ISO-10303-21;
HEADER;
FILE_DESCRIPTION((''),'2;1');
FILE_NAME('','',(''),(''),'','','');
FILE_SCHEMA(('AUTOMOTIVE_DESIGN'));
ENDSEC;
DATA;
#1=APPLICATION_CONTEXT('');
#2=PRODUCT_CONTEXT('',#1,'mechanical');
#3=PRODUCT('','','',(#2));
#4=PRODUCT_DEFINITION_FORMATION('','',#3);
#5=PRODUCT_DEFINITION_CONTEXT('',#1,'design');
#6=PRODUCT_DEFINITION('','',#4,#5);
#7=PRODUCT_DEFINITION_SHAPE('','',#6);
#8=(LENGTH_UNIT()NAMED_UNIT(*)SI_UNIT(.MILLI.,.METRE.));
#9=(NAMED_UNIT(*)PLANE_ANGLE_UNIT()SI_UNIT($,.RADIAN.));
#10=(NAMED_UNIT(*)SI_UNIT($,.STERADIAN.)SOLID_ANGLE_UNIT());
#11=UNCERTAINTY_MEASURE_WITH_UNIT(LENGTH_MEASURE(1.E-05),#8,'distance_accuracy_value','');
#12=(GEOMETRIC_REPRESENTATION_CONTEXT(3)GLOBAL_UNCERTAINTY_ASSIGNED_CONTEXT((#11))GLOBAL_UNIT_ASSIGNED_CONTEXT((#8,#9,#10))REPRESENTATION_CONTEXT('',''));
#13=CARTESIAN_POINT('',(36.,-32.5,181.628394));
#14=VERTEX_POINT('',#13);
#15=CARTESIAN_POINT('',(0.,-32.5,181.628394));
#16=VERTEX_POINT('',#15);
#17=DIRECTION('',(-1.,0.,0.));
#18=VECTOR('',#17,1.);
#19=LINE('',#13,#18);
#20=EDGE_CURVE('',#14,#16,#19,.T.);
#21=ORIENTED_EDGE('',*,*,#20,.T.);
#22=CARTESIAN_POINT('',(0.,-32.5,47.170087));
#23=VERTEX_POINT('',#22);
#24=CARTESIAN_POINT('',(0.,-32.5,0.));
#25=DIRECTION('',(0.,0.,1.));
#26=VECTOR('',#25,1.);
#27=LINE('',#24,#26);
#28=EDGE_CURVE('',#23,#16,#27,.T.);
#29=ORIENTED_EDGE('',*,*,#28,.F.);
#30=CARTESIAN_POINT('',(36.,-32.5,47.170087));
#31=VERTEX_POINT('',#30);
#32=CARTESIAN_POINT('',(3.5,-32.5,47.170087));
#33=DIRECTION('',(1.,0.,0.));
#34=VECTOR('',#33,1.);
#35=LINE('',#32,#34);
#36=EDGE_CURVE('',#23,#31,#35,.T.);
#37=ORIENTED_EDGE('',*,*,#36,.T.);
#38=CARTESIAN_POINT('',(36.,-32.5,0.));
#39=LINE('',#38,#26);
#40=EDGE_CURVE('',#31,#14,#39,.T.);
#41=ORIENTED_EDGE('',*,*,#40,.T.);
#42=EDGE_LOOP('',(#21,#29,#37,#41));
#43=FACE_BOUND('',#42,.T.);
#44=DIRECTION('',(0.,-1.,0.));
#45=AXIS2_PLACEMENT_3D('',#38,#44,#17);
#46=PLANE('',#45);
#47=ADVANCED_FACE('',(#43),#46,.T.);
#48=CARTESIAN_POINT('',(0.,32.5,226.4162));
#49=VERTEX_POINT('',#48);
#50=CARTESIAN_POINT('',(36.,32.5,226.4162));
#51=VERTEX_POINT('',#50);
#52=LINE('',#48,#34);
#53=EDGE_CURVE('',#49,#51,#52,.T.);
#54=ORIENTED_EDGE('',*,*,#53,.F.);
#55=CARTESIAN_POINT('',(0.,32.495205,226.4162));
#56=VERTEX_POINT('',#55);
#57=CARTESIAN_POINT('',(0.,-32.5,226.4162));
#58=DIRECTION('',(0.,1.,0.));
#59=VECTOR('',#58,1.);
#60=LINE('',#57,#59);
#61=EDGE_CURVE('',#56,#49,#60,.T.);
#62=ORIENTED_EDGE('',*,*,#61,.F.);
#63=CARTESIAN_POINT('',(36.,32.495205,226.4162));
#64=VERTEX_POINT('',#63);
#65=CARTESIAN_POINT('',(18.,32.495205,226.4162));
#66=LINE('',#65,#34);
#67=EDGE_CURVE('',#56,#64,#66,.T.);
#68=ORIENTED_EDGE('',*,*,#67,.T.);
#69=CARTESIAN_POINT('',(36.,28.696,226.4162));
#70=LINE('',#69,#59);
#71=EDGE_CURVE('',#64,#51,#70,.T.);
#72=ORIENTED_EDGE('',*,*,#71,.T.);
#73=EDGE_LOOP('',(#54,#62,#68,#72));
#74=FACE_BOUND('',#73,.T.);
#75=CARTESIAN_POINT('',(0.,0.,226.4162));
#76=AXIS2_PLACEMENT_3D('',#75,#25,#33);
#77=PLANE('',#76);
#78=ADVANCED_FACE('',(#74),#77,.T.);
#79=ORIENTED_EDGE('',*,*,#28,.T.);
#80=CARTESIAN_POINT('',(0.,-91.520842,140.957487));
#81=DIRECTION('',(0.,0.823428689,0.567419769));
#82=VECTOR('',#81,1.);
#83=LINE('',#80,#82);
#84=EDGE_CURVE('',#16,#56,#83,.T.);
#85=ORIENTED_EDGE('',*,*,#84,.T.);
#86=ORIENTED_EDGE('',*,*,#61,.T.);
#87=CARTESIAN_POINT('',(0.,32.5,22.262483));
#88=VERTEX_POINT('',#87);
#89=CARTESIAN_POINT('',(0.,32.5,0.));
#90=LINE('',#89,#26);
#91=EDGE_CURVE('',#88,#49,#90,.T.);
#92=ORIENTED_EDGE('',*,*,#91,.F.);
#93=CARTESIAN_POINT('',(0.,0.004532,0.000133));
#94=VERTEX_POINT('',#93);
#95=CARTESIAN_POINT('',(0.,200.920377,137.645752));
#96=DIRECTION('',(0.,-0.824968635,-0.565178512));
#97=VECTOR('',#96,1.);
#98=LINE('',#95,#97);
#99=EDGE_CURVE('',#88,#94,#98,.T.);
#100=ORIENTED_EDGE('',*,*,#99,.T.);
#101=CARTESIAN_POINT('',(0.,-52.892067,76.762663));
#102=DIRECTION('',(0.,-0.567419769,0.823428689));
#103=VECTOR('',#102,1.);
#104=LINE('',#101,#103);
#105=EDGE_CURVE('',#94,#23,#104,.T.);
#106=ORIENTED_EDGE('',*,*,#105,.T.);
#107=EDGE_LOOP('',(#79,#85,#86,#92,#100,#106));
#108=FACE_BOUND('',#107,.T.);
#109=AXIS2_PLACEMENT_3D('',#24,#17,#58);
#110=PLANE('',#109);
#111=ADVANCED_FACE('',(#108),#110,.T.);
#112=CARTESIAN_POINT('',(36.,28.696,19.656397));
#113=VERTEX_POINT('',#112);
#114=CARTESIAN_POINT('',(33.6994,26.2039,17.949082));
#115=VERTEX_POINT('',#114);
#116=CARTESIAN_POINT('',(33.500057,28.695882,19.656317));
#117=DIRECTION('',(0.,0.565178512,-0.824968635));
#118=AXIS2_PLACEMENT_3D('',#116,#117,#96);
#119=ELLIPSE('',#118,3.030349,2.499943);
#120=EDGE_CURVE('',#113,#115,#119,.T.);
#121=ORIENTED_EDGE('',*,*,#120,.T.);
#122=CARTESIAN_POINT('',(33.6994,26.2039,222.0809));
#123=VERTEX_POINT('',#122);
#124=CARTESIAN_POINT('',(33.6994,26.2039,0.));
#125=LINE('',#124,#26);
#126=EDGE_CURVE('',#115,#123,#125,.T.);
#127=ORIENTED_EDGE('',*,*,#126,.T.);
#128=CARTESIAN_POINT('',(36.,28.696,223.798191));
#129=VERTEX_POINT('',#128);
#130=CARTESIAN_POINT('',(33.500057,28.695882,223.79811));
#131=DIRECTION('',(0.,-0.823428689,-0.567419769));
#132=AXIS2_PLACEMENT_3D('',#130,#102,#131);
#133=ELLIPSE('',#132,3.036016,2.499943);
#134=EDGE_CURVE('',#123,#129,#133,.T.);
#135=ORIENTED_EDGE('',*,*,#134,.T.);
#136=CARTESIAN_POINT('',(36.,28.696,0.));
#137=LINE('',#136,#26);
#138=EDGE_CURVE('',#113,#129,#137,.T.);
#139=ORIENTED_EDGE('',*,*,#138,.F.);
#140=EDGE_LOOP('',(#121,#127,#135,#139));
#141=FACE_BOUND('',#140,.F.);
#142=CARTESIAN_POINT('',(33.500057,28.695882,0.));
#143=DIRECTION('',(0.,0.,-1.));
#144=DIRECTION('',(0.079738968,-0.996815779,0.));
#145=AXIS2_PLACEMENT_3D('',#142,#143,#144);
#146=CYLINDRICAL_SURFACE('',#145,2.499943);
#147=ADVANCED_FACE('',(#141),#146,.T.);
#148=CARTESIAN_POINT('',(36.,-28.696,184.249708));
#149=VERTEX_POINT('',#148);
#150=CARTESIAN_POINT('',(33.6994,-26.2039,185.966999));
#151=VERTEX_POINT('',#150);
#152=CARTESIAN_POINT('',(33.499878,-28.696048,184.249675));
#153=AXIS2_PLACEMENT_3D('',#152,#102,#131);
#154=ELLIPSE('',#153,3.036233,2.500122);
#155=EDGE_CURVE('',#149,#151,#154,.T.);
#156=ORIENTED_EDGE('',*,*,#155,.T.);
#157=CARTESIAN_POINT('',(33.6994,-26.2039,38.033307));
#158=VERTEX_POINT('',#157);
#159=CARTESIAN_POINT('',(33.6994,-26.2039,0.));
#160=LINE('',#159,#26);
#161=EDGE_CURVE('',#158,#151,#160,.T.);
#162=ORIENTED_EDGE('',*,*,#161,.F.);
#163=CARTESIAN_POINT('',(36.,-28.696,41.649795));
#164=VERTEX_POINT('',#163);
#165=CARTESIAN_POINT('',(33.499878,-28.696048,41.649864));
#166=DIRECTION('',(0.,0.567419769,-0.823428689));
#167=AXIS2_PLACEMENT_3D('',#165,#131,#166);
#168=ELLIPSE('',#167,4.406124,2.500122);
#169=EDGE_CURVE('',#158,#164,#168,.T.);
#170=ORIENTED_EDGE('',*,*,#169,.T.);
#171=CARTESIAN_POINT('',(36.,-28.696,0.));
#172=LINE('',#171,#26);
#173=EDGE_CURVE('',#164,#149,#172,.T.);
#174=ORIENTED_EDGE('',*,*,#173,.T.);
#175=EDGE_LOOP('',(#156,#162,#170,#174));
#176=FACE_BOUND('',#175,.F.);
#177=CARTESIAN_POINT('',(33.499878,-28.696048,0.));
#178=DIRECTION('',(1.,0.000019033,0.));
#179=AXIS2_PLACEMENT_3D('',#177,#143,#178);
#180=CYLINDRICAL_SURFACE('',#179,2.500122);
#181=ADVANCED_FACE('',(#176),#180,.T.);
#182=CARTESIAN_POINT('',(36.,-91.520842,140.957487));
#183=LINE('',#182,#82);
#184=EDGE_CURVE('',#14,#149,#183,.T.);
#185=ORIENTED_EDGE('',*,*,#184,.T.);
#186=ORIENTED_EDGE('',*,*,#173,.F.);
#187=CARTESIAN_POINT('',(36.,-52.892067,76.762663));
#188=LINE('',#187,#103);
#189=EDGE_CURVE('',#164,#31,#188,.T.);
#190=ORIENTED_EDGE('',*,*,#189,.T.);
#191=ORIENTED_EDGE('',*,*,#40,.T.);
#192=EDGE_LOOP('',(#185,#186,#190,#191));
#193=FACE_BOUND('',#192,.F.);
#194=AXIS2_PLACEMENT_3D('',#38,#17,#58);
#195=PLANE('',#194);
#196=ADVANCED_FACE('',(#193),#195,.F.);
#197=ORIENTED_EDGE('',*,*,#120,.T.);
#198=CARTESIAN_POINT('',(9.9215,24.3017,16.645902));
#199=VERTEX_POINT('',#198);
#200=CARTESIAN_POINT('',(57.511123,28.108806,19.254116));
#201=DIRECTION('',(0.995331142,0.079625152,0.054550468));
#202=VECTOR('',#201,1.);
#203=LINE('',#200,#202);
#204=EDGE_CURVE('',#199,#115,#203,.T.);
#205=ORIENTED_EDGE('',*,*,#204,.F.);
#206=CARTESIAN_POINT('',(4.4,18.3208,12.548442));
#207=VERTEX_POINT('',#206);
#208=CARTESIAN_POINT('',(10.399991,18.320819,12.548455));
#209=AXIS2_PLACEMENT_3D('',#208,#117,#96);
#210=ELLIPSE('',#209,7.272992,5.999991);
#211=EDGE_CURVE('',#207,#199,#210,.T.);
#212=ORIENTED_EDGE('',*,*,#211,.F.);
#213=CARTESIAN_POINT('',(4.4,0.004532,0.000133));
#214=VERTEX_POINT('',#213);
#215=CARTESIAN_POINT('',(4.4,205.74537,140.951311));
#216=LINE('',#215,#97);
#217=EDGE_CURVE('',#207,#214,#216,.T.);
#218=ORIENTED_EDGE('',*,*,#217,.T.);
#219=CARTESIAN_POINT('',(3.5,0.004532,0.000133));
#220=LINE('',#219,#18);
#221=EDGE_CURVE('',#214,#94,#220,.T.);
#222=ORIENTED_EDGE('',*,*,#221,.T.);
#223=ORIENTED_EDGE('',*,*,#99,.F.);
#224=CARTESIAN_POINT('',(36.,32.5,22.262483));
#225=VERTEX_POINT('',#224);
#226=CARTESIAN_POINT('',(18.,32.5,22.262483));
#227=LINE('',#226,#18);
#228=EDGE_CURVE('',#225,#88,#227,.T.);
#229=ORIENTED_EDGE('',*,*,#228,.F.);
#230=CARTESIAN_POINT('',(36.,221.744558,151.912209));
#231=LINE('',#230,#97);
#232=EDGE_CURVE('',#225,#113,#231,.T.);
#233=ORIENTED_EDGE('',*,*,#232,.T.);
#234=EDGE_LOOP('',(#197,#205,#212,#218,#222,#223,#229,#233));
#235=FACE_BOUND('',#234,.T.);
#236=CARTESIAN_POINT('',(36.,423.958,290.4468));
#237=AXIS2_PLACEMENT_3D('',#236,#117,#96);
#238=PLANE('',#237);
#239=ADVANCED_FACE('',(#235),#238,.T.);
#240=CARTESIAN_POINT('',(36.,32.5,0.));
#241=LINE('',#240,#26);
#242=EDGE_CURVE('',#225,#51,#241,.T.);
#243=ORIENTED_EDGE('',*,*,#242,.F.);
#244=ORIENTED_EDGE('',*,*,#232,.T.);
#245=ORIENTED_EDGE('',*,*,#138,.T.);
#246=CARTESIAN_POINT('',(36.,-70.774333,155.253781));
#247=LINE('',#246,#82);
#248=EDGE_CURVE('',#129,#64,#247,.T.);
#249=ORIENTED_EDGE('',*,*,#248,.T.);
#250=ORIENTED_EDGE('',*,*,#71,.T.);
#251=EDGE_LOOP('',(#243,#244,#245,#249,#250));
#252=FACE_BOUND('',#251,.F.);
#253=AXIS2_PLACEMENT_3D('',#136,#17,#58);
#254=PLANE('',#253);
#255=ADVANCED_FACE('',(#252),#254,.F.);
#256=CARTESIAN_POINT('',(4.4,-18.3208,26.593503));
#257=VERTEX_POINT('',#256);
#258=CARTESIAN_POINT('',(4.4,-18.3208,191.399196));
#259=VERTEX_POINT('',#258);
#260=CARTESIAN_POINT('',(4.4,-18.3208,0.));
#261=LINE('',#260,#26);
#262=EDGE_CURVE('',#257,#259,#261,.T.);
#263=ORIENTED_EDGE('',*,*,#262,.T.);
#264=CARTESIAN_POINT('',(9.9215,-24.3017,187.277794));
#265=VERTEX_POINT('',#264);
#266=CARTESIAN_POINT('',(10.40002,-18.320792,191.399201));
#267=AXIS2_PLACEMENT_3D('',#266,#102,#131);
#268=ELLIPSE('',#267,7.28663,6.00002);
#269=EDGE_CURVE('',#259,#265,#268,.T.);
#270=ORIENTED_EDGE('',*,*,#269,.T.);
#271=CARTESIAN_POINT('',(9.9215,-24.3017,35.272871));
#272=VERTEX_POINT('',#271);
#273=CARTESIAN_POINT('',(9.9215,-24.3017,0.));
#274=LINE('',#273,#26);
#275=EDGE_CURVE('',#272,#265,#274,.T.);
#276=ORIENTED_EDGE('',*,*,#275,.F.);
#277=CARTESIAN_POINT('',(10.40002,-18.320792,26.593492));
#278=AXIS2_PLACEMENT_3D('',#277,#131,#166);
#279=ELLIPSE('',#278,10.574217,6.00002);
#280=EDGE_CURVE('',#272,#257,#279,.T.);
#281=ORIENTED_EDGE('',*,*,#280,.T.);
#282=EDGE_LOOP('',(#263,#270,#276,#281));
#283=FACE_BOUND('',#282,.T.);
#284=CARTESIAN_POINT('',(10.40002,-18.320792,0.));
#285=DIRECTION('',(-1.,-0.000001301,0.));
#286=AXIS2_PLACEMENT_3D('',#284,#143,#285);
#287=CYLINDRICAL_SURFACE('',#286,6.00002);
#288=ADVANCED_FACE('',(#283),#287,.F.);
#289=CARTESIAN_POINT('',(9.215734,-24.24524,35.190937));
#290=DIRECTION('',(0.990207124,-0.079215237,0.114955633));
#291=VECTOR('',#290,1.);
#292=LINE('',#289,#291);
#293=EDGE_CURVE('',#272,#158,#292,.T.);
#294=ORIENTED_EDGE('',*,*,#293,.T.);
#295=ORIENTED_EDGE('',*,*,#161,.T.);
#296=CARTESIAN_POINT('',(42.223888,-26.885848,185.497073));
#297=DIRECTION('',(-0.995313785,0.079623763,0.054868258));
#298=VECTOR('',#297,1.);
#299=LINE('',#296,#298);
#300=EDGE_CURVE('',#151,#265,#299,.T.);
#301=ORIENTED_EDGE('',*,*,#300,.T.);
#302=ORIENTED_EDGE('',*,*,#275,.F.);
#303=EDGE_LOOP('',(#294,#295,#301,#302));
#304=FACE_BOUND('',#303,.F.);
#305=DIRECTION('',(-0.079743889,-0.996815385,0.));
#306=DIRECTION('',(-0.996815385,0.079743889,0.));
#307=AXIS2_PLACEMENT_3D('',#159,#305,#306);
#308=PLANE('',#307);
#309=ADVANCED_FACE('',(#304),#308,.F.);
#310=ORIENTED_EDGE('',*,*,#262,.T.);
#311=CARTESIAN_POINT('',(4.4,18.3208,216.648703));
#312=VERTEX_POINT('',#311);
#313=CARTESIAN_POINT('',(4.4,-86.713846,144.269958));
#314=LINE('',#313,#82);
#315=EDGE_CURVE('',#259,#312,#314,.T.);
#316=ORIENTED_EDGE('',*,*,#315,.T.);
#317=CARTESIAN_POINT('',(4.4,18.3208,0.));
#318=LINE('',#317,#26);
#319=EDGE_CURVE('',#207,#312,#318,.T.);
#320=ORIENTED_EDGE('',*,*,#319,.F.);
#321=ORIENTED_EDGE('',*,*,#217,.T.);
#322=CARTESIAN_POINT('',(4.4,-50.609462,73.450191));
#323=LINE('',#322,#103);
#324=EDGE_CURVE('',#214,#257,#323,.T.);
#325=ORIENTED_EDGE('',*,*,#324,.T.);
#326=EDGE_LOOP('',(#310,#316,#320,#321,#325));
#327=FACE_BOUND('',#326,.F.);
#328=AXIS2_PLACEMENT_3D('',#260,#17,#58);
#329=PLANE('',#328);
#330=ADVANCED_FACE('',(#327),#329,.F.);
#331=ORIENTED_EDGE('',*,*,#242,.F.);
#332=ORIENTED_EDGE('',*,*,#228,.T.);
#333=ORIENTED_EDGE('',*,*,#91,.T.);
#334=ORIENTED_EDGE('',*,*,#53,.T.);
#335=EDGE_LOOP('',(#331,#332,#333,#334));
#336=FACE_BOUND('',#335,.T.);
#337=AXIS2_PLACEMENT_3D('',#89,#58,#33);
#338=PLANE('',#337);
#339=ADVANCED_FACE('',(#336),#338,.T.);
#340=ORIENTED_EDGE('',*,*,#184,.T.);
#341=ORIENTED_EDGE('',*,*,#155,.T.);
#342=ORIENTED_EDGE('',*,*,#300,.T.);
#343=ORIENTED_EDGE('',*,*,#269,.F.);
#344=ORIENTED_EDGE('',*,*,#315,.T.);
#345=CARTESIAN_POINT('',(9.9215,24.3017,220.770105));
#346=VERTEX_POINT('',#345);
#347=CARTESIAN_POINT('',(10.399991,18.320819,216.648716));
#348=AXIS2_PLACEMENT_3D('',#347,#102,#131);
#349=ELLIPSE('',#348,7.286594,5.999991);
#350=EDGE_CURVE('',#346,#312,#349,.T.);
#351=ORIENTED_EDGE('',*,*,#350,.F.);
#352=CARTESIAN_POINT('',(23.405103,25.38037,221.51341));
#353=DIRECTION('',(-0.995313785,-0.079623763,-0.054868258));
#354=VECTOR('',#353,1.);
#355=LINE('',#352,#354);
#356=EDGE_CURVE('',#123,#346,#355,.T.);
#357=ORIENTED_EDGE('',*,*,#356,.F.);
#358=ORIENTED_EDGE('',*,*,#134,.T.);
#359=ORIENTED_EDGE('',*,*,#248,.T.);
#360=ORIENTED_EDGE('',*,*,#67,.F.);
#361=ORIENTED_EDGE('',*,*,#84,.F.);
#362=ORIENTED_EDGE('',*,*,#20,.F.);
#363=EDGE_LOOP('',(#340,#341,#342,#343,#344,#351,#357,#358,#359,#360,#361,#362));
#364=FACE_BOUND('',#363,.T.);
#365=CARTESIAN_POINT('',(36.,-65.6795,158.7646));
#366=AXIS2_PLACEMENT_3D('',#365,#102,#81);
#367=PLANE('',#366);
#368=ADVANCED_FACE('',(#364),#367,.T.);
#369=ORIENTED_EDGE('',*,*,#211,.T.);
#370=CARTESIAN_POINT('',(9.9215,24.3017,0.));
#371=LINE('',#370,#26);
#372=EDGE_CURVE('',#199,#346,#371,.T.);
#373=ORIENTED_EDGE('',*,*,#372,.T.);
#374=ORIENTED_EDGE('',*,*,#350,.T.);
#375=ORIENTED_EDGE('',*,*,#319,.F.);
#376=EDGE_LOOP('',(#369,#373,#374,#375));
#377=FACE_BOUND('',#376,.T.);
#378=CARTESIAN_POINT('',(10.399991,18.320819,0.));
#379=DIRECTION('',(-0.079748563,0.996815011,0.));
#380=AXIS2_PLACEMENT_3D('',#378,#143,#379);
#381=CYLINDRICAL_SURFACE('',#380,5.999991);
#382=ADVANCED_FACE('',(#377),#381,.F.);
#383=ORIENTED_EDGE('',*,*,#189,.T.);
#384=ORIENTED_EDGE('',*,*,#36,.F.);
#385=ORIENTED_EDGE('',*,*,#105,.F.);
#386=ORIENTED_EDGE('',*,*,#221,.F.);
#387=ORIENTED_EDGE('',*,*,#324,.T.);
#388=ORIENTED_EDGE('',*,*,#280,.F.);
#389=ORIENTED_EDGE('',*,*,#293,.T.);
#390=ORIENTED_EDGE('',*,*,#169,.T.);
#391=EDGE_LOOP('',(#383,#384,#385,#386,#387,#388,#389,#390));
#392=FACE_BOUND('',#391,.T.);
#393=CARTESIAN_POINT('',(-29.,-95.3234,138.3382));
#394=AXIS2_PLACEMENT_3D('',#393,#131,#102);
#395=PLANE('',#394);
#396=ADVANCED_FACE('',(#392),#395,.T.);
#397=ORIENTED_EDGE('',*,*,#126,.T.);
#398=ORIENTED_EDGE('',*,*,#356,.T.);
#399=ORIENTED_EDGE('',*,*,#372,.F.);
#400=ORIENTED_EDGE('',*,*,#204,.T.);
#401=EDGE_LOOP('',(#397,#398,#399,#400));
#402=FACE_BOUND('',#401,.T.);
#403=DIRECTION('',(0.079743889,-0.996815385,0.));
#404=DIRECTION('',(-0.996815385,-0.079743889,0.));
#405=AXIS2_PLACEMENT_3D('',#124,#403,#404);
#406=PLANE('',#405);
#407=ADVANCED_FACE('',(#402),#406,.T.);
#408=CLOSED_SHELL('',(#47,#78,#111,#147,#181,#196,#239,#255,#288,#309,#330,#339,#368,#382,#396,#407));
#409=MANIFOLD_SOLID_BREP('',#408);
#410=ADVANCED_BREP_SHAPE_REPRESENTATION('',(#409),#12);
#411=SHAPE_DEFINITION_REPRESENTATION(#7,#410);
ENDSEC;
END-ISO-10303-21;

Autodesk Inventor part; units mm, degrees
ref_plane "Начальная плоскость" through (0, 0, 0) normal (0, 0, 1) x (1, 0, 0)
ref_plane "Конечная плоскость" through (0, 0, 226.4162) normal (0, 0, 1) x (1, 0, 0)
sketch "Эскиз" plane through (0, 0, 0) normal (0, 0, 1) x (1, 0, 0)
  line L0 (36, -32.5) -> (0, -32.5)
  line L1 (36, -32.5) -> (36, -28.696)
  line L2 (33.6994, -26.2039) -> (9.9215, -24.3017)
  line L3 (4.4, -18.3208) -> (4.4, 18.3208)
  line L4 (33.6994, 26.2039) -> (9.9215, 24.3017)
  line L5 (36, 28.696) -> (36, 32.5)
  line L6 (0, 32.5) -> (36, 32.5)
  line L7 (0, -32.5) -> (0, 32.5)
  arc A0 (4.4, -18.3208) -> (9.9215, -24.3017) centre (10.4, -18.3208) ccw
  arc A1 (9.9215, 24.3017) -> (4.4, 18.3208) centre (10.4, 18.3208) ccw
  arc A2 (36, -28.696) -> (33.6994, -26.2039) centre (33.5, -28.696) ccw
  arc A3 (33.6994, 26.2039) -> (36, 28.696) centre (33.5, 28.696) ccw
  line L8 (0, 45.5) -> (0, -45.5) construction
  line L9 (-7.2974, 0) -> (43.7847, 0) construction
  point P0 (36, -26.388)
  point P1 (4.4, -23.86)
  point P2 (4.4, 23.86)
  point P3 (36, 26.388)
  dimension "d3" = 36
  dimension "d5" = 4.4
  dimension "d7" = 65
  dimension "d9" = 8.64
  dimension "d11" = 8.64
  dimension "d13" = 6.112
  dimension "d15" = 6.112
  dimension "d22" = 6
  dimension "d23" = 2.5
  dimension "d24" = 32.5
  dimension "d25" = 0
extrude "Тело" add sketch "Эскиз" along normal up to surface (226.4162 mm away) from surface at 0
sketch "Sketch3" plane through (0, 0, 0) normal (0, 0, 1) x (1, 0, 0)
  line L0 (0, 0) -> (10, 0)
ref_plane "Work Plane7" through (0, 0, 0) normal (0, -1, 0) x (1, 0, 0)
sketch "Sketch4" plane through (0, 0, 0) normal (0, -1, 0) x (1, 0, 0)
  line L0 (-2, 0) -> (12, 0)
  line L1 (-2, 226.4162) -> (12, 226.4162)
  dimension "d29" = 226.4162
ref_plane "РабПлоскость8" through (36, 423.958, 290.4468) normal (0, 0.5652, -0.825) x (1, 0, 0)
split "Разделение1" plane through (36, 423.958, 290.4468) removes the side toward (0, 0.5652, -0.825)
ref_plane "РабПлоскость9" through (36, -65.6795, 158.7646) normal (0, -0.5674, 0.8234) x (1, 0, 0)
split "Разделение2" plane through (36, -65.6795, 158.7646) removes the side toward (0, -0.5674, 0.8234)
ref_plane "РабПлоскость10" through (-29, -95.3234, 138.3382) normal (0, -0.8234, -0.5674) x (1, 0, 0)
split "Разделение3" plane through (-29, -95.3234, 138.3382) removes the side toward (0, -0.8234, -0.5674)
equation "\"d3\" = b"
equation "\"d5\" = t1"
equation "\"d7\" = ParH"
equation "\"d9\" = msp_x1 + t2"
equation "\"d11\" = msp_x1 + t2"
equation "\"d13\" = -msp_x2 + t2"
equation "\"d15\" = -msp_x2 + t2"
equation "\"d22\" = R"
equation "\"d23\" = R1"
equation "\"d24\" = 0.5 * d7"
equation "\"d16\" = G_L"
equation "\"R1\" = 2.5"
equation "\"R\" = 6"
equation "\"t1\" = 4.4"
equation "\"t2\" = 7.2"
equation "\"ParH\" = 65"
equation "\"b\" = 36"
equation "\"msp_x1\" = 0.04 * b"
equation "\"msp_x2\" = -0.08 * t1 + 0.04 * b"
equation "\"G_L\" = d29"
equation "\"ex\" = 0"
equation "\"G_OFFSET_START\" = 0"
equation "\"G_OFFSET_END\" = 22.18382"
equation "\"d27\" = G_OFFSET_END + B_L"
equation "\"B_L\" = 204.2324"
properties part number "Швеллер 6.5U-226,42 ГОСТ 8240-97" material "Сталь, мягкая"
